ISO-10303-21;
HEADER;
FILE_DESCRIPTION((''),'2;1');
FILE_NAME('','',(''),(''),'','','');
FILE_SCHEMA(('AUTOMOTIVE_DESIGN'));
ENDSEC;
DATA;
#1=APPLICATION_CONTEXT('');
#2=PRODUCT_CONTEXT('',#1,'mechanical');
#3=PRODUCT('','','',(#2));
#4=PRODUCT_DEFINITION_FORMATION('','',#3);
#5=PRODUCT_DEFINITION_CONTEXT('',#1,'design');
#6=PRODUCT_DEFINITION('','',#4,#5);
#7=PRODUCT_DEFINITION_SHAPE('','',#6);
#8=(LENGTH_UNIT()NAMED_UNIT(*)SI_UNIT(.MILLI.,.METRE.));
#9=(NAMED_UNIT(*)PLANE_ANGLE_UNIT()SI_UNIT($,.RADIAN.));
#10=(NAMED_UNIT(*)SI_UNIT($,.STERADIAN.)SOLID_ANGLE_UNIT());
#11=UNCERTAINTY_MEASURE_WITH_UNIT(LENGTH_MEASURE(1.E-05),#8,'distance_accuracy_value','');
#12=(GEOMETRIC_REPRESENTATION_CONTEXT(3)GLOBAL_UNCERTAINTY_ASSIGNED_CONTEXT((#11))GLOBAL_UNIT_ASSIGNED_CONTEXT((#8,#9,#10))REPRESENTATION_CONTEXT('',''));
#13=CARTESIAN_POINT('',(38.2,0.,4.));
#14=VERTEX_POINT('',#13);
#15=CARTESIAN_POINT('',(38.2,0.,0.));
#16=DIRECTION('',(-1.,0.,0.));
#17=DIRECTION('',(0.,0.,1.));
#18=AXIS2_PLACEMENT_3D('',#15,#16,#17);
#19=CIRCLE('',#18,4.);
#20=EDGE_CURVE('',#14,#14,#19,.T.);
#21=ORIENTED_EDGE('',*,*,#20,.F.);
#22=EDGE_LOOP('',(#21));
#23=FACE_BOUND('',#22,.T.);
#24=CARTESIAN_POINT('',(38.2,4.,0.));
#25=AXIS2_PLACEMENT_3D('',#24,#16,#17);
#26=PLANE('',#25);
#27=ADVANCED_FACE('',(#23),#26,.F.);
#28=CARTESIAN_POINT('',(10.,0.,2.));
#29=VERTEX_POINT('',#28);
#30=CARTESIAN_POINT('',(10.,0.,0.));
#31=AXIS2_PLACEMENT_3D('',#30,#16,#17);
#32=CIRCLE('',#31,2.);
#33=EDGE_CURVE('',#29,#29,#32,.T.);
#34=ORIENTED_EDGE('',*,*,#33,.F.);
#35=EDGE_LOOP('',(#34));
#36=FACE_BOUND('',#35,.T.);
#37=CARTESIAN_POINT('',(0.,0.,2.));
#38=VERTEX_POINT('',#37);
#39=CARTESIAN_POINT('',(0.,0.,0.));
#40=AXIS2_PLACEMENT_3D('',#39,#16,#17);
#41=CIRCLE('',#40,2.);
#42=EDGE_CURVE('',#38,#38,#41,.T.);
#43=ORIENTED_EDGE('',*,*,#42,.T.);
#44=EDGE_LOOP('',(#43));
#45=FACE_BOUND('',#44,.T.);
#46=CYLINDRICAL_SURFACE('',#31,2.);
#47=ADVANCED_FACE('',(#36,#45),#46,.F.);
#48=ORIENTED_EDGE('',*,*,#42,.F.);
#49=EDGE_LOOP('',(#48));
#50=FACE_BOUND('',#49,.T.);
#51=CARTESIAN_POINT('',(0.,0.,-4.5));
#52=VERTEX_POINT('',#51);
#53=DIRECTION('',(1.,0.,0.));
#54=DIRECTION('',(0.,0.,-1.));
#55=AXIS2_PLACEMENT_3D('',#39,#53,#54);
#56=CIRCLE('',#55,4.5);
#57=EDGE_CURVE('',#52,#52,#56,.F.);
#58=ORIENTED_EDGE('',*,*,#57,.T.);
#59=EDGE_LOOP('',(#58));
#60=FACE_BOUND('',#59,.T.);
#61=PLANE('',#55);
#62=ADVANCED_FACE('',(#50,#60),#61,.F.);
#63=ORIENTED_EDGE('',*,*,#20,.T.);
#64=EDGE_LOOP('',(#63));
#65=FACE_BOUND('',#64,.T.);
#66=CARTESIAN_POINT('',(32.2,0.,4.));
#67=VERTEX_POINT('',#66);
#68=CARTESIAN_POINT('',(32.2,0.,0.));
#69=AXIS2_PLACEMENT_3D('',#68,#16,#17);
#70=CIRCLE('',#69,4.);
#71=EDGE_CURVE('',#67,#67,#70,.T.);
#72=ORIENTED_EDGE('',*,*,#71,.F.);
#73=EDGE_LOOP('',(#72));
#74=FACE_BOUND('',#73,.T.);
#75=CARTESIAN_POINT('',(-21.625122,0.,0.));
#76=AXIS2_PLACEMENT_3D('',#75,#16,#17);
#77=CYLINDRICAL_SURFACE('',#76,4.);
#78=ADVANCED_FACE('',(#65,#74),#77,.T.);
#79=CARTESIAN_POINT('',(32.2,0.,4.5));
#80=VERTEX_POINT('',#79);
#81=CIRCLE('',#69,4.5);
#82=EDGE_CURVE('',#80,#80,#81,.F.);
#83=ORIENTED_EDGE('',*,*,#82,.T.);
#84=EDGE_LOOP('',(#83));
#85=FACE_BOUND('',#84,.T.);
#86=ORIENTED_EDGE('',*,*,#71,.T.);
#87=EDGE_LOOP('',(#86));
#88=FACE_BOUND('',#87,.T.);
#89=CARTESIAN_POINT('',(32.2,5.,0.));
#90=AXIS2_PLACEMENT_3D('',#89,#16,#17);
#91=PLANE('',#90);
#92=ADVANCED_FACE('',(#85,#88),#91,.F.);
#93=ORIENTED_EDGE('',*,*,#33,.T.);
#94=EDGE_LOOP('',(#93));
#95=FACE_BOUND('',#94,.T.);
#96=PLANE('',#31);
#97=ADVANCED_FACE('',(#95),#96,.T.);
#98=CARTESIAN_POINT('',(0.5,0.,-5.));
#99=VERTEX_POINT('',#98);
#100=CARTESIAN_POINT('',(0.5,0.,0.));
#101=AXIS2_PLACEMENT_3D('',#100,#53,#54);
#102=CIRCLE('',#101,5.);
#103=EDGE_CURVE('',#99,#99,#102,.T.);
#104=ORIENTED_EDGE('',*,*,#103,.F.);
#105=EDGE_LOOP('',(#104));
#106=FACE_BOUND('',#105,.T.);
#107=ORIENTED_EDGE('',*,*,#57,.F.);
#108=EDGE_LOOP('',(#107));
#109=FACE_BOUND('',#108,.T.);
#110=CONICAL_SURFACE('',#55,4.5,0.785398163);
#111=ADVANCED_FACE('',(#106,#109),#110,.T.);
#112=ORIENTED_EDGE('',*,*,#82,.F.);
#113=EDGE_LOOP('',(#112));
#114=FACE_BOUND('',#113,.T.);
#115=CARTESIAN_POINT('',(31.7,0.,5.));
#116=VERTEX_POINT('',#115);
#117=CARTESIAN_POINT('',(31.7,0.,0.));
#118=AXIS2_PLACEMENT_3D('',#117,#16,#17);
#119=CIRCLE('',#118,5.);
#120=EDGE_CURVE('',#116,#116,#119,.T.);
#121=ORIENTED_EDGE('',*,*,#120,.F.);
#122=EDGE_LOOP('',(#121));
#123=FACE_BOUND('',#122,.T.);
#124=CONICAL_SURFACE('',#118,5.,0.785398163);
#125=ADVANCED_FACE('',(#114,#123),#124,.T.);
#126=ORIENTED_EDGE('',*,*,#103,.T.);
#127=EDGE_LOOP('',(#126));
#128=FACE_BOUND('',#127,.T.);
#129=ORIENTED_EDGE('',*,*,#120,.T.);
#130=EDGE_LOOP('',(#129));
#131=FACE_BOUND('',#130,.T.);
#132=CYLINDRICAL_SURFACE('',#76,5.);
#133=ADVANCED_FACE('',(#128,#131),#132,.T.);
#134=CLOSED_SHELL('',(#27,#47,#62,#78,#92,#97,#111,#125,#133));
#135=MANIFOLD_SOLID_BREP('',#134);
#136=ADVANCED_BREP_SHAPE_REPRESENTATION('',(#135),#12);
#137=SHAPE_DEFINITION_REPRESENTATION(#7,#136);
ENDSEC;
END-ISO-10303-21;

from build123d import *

# Parameters (mm, degrees)
CHAMFER1_SIZE      = 0.5
SKETCH6_R          = 2
CUT_EXTRUDE1_DEPTH = 10


with BuildPart() as part:
    # Sketch1 → Revolve1 (revolve)
    with BuildSketch(Plane.XY, mode=Mode.PRIVATE) as revolve1_sk:
        Polygon((0, 0), (0, 5), (32.2, 5), (32.2, 4), (38.2, 4), (38.2, 0), align=None)
    revolve(revolve1_sk.sketch.rotate(Axis((-21.625122332, 0, 0), (1, 0, 0)), 90), axis=Axis((-21.625122332, 0, 0), (1, 0, 0)))

    # Chamfer1
    chamfer1_edges = [part.edges().sort_by_distance(p)[0] for p in [
        (32.2, 0, -5),
        (0, 0, -5),
    ]]
    chamfer(chamfer1_edges, length=CHAMFER1_SIZE)

    # Sketch6 → Cut-Extrude1 (cut)
    with BuildSketch(Plane.ZY):
        Circle(SKETCH6_R)
    extrude(amount=-CUT_EXTRUDE1_DEPTH, mode=Mode.SUBTRACT)


solid = part.part
